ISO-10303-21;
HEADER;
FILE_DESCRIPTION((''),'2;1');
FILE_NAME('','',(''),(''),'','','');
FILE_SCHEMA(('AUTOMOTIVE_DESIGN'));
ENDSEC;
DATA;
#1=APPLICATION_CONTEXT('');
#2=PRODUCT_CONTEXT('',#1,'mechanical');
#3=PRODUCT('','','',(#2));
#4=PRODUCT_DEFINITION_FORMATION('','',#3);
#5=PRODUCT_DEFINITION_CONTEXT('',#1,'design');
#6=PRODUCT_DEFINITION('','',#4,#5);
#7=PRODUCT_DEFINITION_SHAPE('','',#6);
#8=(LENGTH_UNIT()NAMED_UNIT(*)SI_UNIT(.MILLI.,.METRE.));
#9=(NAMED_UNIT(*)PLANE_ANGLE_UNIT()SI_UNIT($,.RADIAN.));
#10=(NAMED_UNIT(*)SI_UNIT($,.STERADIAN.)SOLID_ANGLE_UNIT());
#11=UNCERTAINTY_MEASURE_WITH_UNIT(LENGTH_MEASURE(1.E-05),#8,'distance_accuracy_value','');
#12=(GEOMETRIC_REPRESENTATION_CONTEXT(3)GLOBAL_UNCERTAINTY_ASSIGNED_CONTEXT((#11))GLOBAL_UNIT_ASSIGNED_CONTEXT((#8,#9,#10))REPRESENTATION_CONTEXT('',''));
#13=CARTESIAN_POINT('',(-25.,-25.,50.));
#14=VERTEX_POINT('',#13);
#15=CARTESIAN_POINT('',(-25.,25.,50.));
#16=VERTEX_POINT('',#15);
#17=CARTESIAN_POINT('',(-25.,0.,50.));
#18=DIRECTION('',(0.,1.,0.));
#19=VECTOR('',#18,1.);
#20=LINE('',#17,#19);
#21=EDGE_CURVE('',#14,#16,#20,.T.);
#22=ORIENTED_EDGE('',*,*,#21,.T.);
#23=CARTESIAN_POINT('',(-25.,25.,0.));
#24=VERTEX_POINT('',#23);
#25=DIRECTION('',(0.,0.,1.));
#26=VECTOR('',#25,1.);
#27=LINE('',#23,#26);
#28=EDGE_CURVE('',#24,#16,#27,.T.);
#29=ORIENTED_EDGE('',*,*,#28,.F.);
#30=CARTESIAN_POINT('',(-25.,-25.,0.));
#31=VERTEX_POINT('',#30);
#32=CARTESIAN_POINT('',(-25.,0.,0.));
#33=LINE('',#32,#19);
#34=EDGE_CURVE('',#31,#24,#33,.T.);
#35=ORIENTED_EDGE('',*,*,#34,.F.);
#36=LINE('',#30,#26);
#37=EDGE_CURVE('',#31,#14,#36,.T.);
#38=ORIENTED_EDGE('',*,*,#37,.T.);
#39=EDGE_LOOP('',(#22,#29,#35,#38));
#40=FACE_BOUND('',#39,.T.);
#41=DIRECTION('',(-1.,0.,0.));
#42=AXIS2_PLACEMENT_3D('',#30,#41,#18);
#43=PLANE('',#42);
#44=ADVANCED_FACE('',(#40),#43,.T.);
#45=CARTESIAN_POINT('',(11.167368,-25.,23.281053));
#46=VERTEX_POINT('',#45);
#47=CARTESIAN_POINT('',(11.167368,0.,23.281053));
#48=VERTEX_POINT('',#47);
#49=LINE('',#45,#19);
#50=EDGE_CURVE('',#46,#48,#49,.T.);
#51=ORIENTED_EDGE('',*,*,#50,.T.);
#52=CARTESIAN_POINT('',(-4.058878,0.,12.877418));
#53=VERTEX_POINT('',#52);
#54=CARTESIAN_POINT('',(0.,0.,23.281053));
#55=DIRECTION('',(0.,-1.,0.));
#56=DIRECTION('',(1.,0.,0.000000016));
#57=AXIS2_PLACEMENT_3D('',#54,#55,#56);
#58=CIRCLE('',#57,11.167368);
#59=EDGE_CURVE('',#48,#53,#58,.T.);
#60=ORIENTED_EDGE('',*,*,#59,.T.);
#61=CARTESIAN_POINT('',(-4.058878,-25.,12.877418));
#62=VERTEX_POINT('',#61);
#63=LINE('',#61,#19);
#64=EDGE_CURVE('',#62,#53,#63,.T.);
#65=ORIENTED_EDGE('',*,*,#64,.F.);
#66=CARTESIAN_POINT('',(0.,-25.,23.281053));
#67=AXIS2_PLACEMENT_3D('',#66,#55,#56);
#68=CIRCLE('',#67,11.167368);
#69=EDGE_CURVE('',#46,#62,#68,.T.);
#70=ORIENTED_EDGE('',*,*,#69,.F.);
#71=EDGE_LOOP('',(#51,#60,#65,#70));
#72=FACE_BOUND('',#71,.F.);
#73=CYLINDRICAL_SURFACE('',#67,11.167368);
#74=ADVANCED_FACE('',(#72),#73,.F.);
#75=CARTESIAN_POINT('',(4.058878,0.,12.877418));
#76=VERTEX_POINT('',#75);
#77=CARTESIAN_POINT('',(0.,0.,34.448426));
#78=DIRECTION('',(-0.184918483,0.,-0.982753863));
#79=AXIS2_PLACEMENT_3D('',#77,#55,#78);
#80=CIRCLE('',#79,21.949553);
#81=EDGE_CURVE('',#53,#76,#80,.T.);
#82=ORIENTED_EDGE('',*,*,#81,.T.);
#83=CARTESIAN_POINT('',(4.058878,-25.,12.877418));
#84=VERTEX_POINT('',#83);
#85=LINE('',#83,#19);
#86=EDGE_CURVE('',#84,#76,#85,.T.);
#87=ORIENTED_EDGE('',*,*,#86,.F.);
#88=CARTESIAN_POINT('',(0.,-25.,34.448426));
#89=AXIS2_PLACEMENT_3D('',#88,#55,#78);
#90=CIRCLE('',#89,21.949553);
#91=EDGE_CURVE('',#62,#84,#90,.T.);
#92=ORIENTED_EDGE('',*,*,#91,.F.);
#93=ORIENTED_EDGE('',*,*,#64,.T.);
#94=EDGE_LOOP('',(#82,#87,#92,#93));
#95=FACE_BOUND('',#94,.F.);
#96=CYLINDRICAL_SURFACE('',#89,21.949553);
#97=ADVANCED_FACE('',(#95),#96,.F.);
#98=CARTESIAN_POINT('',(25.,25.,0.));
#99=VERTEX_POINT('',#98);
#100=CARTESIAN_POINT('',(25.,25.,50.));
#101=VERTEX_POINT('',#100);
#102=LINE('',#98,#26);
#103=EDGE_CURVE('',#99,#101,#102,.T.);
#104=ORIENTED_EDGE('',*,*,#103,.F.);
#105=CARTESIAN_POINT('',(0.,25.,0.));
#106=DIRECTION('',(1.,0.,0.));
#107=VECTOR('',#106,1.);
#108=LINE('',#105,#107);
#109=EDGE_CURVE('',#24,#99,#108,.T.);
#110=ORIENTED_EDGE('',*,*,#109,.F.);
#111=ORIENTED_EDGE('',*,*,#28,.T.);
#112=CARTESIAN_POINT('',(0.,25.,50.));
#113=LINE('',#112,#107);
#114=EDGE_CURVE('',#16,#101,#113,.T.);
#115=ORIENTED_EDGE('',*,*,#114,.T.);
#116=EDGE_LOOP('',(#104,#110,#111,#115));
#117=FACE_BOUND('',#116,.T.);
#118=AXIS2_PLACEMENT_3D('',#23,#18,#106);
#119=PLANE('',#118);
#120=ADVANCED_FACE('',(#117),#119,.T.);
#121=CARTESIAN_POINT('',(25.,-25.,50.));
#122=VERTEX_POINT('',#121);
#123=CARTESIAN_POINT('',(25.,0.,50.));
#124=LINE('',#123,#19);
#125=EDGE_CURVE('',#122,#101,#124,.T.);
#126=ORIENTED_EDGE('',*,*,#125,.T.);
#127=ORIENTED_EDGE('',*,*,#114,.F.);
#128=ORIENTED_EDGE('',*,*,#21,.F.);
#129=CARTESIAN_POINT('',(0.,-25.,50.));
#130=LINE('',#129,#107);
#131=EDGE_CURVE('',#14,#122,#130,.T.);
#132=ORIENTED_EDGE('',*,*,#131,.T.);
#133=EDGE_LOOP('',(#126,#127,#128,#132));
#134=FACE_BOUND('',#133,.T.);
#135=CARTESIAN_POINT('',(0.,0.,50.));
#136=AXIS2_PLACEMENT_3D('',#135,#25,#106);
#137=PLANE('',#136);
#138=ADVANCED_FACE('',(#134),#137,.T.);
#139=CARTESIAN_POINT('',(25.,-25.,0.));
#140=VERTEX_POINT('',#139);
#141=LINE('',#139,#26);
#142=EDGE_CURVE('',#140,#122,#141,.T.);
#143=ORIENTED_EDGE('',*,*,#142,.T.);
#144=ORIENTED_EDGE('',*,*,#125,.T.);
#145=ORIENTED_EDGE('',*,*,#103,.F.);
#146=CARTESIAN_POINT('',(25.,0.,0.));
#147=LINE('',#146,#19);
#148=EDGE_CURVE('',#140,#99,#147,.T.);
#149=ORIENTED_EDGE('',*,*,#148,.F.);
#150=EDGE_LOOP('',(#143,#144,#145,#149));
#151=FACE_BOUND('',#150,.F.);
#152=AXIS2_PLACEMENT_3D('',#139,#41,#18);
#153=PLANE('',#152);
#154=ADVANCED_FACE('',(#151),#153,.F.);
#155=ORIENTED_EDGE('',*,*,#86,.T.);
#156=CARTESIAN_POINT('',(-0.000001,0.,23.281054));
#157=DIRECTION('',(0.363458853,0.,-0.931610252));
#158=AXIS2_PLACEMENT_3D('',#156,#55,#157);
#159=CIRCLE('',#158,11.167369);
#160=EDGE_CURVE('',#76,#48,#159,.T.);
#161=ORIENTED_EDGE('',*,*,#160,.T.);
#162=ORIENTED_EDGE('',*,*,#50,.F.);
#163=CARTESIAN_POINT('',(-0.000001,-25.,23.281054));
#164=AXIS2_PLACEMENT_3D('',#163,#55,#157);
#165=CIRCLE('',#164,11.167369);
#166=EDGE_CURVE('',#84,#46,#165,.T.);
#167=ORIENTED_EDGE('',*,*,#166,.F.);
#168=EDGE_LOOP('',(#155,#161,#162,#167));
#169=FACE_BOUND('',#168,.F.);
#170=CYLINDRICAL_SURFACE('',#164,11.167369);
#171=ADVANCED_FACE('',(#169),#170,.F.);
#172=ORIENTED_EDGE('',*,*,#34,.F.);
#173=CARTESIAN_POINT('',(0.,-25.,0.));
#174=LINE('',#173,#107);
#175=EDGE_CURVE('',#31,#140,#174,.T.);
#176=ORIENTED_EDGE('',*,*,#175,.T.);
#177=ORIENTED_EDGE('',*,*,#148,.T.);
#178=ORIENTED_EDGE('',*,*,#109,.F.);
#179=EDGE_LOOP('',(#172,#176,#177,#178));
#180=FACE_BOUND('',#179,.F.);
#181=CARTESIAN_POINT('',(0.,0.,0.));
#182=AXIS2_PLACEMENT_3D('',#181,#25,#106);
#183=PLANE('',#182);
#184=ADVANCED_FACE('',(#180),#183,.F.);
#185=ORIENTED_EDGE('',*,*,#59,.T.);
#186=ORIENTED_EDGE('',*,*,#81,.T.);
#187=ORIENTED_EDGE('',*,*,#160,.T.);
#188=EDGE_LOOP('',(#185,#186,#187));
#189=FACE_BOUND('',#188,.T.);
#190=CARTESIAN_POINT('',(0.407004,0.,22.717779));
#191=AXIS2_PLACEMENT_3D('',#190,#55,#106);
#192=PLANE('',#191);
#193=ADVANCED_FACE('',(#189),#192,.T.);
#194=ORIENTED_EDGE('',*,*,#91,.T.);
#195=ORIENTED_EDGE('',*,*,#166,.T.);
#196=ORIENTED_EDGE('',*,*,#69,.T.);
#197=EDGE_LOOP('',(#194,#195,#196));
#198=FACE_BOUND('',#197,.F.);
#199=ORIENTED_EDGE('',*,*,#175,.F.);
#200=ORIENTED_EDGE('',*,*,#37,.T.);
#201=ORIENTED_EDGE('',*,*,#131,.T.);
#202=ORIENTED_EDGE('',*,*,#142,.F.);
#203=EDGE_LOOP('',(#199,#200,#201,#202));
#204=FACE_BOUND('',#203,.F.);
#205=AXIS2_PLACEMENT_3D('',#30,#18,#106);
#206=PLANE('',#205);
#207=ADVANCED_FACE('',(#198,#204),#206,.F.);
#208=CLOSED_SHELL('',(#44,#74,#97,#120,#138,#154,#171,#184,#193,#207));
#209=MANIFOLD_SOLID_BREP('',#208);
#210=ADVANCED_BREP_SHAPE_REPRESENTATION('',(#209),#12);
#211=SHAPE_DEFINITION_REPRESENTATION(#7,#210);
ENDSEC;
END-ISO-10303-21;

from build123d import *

# Parameters (mm, degrees)
F0_W     = 50
F0_H     = 50
F1_DEPTH = 50
F3_DEPTH = 25


with BuildPart() as f1:
    # F0 (on Top) → F1 (new body)
    with BuildSketch(Plane.XY):
        Rectangle(F0_W, F0_H)
    extrude(amount=F1_DEPTH)

    # F2 (on face) → F3 (cut)
    with BuildSketch(Plane.XZ.offset(25)):
        with BuildLine():
            ThreePointArc((4.058878, 12.877418), (9.22055, 16.980929), (11.167368, 23.281053))
            ThreePointArc((11.167368, 23.281053), (-6.300124, 32.501603), (-4.058878, 12.877418))
            ThreePointArc((-4.058878, 12.877418), (0, 12.498873), (4.058878, 12.877418))
        make_face()
    extrude(amount=-F3_DEPTH, mode=Mode.SUBTRACT)


solid = f1.part
